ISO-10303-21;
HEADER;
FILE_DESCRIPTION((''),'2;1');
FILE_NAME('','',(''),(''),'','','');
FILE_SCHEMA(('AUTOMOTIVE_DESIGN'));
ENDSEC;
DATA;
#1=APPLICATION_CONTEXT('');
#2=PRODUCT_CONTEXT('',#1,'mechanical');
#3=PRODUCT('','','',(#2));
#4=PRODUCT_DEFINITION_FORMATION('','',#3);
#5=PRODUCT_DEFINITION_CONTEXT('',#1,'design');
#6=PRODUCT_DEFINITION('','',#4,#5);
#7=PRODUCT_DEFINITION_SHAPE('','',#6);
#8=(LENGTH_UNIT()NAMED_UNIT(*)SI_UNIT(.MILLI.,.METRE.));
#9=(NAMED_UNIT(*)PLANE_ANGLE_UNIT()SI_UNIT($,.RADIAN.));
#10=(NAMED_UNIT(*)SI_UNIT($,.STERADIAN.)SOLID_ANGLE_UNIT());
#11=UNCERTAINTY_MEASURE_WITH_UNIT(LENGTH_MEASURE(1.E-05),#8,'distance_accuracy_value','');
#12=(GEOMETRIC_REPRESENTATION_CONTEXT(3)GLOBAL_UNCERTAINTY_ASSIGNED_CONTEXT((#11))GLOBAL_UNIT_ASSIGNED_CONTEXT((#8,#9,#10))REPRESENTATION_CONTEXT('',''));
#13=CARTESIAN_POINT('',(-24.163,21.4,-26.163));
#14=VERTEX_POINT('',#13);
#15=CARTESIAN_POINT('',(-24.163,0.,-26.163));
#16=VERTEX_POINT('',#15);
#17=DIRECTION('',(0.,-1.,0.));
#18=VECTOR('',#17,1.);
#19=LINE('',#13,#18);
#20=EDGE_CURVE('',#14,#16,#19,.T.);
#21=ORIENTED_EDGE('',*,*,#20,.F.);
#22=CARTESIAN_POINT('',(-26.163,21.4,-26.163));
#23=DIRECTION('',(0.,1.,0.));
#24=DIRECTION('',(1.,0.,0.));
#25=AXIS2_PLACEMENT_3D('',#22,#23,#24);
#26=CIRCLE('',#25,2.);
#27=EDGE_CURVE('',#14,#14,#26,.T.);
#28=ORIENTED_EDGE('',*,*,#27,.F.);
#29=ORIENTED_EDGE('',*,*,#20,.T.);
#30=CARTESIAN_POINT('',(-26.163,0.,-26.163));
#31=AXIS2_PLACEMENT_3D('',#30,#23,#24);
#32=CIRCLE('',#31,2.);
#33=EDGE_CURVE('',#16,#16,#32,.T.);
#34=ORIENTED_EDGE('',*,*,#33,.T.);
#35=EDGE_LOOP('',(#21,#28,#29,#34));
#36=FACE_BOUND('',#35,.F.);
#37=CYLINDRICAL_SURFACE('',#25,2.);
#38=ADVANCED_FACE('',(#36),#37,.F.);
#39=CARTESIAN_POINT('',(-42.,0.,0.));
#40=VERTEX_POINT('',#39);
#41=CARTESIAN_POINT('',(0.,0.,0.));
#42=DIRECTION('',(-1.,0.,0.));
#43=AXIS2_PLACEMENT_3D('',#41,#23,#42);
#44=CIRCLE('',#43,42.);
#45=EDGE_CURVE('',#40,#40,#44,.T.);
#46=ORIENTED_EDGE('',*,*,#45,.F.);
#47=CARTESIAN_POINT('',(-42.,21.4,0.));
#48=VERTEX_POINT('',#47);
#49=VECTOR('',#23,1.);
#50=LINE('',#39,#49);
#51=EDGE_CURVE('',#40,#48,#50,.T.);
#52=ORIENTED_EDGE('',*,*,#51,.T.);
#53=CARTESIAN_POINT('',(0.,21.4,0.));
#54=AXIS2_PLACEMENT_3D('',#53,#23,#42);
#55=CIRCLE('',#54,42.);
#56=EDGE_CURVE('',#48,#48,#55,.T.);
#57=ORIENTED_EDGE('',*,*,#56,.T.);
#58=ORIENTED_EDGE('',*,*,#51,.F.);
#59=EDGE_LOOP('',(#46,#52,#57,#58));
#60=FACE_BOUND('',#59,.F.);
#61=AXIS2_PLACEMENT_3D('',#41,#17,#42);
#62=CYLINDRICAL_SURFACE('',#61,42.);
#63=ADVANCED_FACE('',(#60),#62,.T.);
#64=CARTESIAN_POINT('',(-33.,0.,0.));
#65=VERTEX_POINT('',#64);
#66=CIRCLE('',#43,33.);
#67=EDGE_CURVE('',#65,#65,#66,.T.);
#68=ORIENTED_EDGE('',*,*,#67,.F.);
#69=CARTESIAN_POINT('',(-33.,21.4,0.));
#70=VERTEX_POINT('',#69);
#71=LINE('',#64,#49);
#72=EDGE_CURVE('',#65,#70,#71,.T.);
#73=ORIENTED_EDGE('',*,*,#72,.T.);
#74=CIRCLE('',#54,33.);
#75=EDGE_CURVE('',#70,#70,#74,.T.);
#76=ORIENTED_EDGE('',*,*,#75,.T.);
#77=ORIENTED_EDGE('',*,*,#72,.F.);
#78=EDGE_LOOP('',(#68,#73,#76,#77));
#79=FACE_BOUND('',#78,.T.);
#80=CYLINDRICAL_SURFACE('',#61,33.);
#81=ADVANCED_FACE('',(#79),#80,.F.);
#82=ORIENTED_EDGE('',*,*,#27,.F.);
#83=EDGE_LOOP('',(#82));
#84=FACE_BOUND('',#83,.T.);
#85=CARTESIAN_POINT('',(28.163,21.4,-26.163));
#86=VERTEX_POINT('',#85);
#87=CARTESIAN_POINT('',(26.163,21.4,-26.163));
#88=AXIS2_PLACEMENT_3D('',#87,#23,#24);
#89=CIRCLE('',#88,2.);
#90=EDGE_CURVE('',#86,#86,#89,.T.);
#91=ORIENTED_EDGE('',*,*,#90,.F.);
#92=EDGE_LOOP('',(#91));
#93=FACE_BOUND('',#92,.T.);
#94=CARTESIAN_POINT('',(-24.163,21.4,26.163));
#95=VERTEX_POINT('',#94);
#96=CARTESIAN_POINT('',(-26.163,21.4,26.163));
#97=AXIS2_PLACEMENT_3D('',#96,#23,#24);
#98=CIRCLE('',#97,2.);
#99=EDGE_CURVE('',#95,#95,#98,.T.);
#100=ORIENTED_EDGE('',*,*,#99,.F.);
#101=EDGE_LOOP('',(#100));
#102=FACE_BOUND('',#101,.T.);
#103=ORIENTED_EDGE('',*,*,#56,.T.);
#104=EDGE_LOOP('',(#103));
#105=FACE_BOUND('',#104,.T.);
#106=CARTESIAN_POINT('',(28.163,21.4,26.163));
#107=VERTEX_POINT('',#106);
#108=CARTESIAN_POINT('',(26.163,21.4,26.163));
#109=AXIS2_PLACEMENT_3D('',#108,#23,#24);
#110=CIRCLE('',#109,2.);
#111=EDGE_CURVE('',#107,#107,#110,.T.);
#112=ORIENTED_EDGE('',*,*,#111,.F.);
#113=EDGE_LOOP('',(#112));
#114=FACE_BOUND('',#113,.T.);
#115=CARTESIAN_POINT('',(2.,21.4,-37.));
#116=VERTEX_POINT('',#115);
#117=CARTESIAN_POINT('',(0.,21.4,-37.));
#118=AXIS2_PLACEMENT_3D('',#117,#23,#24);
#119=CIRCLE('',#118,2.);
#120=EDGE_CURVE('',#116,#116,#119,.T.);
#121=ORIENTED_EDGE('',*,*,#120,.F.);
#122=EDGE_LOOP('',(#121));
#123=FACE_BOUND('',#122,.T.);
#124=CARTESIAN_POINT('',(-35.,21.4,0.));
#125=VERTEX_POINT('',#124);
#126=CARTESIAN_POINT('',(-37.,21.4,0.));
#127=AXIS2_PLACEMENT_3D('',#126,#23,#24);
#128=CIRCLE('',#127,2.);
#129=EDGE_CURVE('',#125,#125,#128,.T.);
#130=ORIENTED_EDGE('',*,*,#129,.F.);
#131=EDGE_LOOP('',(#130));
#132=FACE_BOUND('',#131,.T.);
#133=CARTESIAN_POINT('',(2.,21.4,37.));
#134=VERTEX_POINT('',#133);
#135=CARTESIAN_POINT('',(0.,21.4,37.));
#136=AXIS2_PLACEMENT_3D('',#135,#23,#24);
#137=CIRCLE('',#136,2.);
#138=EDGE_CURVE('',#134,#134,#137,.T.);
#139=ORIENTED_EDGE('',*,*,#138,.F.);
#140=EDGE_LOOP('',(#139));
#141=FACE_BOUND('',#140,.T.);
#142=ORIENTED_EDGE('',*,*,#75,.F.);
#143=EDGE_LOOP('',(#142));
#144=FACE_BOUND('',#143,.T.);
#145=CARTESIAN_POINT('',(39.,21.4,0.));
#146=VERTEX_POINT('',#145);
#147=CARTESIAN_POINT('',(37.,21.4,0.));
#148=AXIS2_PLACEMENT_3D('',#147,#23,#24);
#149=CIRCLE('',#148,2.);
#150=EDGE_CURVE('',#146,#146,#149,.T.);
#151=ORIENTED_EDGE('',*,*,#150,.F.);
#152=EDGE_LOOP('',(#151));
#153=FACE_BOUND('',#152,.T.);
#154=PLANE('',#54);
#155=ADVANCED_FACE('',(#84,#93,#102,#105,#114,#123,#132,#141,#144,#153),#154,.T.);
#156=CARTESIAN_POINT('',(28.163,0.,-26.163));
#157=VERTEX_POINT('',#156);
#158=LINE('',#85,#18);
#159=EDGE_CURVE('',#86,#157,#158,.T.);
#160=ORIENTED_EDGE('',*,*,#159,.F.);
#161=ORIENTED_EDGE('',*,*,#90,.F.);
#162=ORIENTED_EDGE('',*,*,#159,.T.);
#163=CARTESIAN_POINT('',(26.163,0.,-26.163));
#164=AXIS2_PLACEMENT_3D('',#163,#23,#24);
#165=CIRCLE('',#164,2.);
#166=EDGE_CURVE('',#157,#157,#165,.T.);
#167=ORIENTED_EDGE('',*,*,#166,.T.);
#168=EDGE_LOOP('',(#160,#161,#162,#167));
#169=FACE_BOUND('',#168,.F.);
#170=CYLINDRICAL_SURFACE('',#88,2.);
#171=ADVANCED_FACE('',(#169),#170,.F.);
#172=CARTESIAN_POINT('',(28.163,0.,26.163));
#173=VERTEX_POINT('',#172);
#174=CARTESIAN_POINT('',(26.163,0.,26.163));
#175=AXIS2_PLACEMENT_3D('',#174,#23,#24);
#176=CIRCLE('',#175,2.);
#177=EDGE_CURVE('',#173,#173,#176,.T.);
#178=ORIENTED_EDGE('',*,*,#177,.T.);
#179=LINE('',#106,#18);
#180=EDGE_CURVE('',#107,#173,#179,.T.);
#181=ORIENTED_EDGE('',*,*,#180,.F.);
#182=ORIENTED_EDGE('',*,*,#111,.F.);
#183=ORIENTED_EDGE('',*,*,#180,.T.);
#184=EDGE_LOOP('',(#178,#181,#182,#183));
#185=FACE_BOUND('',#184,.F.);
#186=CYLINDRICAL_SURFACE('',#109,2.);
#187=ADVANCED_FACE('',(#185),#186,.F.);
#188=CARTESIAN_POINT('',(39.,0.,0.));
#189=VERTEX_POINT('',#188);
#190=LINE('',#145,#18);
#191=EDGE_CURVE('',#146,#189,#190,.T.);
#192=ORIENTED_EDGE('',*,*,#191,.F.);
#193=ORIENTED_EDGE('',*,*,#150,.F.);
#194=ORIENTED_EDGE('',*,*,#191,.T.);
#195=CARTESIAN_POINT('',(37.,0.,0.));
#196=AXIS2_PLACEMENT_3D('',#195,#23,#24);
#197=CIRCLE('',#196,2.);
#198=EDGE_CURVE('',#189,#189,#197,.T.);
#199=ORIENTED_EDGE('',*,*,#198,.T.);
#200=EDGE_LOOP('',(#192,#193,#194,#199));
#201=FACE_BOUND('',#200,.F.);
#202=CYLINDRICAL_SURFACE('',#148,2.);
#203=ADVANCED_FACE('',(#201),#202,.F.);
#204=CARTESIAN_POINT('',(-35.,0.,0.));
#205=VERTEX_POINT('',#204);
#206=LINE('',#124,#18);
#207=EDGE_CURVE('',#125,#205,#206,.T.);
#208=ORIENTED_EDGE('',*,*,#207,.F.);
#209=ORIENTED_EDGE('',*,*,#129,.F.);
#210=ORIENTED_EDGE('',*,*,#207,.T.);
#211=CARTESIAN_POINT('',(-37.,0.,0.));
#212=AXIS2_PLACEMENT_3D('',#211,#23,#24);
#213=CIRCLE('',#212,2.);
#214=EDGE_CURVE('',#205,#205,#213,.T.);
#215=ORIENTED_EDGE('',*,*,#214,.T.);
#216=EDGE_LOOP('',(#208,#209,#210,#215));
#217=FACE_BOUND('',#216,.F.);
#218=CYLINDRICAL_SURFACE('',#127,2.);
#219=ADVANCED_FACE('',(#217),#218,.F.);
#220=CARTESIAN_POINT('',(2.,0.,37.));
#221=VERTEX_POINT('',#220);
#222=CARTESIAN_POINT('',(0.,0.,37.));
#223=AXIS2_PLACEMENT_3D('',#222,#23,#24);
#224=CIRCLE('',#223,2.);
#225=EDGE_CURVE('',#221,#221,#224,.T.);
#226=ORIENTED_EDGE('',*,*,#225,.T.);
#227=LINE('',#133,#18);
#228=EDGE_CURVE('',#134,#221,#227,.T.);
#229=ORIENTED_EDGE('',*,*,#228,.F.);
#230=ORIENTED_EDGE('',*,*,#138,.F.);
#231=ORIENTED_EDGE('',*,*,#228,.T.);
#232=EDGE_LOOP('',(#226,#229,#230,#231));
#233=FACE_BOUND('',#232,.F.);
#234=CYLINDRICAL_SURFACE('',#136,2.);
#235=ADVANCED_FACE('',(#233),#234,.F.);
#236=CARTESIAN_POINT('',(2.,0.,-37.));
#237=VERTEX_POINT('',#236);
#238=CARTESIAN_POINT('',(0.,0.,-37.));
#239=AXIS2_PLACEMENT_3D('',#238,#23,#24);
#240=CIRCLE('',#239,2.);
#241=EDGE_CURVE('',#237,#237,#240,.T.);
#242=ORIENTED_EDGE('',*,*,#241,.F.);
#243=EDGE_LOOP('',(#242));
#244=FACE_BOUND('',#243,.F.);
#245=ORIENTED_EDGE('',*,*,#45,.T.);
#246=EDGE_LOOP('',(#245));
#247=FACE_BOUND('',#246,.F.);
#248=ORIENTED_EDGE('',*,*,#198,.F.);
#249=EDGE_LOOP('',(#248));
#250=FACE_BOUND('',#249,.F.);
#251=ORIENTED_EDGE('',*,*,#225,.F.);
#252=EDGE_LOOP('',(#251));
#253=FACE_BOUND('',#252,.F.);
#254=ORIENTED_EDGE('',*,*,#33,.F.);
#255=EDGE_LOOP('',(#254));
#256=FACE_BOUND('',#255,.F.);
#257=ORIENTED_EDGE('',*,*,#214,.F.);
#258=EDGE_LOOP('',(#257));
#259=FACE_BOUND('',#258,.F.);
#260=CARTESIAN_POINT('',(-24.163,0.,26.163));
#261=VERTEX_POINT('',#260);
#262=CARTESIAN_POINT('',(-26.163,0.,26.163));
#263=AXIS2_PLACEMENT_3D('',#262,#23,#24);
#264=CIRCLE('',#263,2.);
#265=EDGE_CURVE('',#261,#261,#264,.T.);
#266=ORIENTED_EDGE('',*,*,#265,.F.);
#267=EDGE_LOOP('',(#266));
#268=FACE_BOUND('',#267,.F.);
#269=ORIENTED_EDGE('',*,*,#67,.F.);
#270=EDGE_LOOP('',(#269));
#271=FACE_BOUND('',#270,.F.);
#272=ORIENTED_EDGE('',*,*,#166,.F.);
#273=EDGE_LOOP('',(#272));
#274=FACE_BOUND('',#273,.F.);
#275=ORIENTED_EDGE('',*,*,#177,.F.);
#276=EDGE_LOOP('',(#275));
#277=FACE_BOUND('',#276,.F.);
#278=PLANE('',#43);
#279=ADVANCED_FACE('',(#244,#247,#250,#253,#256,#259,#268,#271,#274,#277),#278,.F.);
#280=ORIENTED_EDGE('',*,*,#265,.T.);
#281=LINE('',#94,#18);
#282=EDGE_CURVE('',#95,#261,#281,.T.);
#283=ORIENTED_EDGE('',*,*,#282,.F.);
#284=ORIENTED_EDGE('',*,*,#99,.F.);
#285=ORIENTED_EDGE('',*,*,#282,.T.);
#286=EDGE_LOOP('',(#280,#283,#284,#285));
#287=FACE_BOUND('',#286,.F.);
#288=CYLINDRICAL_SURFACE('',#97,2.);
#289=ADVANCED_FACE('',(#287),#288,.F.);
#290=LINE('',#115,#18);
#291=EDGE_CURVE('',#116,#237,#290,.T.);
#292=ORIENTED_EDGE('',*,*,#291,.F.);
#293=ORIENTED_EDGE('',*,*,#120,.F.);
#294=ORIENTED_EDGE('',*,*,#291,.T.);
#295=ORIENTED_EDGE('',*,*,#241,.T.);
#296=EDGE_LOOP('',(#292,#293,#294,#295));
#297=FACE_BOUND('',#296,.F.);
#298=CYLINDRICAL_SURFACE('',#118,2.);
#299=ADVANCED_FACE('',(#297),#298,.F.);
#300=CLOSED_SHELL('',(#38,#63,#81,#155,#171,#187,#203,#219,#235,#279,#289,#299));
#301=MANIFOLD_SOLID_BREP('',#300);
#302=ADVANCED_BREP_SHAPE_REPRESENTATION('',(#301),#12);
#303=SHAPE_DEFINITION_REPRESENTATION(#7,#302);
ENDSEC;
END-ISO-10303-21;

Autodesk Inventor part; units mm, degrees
ref_plane "YZ Plane" through (0, 0, 0) normal (1, 0, 0) x (0, 1, 0)
ref_plane "XZ Plane" through (0, 0, 0) normal (0, 1, 0) x (-1, 0, 0)
ref_plane "XY Plane" through (0, 0, 0) normal (0, 0, 1) x (1, 0, 0)
sketch "Sketch1" plane through (0, 0, 0) normal (0, 1, 0) x (-1, 0, 0)
  circle A0 centre (0, 0) radius 33
  circle A1 centre (0, 0) radius 42
  dimension "d0" = 66
  dimension "d1" = 84
extrude "Extrusion1" add sketch "Sketch1" along normal blind 21.4
sketch "Sketch2" plane through (0, 21.4, 0) normal (0, 1, 0) x (1, 0, 0)
  circle A0 centre (0, 37) radius 2
  circle A1 centre (-26.163, 26.163) radius 2
  circle A2 centre (-37, 0) radius 2
  circle A3 centre (-26.163, -26.163) radius 2
  circle A4 centre (0, -37) radius 2
  circle A5 centre (26.163, -26.163) radius 2
  circle A6 centre (37, 0) radius 2
  circle A7 centre (26.163, 26.163) radius 2
  point P0 (0, 0)
  dimension "d4" = 4
  dimension "d5" = 37
  dimension "d8" = 360
extrude "Extrusion2" cut sketch "Sketch2" against normal up to surface (21.4 mm away)
thread "Thread1" size "M4x0.7" class "6H" standard "ANSI Metric M Profile" full length
thread "Thread2" size "M4x0.7" class "6H" standard "ANSI Metric M Profile" full length
thread "Thread3" size "M4x0.7" class "6H" standard "ANSI Metric M Profile" full length
thread "Thread4" size "M4x0.7" class "6H" standard "ANSI Metric M Profile" full length
thread "Thread5" size "M4x0.7" class "6H" standard "ANSI Metric M Profile" full length
thread "Thread6" size "M4x0.7" class "6H" standard "ANSI Metric M Profile" full length
thread "Thread7" size "M4x0.7" class "6H" standard "ANSI Metric M Profile" full length
thread "Thread8" size "M4x0.7" class "6H" standard "ANSI Metric M Profile" full length
properties part number "Gearbox_MainBody"
